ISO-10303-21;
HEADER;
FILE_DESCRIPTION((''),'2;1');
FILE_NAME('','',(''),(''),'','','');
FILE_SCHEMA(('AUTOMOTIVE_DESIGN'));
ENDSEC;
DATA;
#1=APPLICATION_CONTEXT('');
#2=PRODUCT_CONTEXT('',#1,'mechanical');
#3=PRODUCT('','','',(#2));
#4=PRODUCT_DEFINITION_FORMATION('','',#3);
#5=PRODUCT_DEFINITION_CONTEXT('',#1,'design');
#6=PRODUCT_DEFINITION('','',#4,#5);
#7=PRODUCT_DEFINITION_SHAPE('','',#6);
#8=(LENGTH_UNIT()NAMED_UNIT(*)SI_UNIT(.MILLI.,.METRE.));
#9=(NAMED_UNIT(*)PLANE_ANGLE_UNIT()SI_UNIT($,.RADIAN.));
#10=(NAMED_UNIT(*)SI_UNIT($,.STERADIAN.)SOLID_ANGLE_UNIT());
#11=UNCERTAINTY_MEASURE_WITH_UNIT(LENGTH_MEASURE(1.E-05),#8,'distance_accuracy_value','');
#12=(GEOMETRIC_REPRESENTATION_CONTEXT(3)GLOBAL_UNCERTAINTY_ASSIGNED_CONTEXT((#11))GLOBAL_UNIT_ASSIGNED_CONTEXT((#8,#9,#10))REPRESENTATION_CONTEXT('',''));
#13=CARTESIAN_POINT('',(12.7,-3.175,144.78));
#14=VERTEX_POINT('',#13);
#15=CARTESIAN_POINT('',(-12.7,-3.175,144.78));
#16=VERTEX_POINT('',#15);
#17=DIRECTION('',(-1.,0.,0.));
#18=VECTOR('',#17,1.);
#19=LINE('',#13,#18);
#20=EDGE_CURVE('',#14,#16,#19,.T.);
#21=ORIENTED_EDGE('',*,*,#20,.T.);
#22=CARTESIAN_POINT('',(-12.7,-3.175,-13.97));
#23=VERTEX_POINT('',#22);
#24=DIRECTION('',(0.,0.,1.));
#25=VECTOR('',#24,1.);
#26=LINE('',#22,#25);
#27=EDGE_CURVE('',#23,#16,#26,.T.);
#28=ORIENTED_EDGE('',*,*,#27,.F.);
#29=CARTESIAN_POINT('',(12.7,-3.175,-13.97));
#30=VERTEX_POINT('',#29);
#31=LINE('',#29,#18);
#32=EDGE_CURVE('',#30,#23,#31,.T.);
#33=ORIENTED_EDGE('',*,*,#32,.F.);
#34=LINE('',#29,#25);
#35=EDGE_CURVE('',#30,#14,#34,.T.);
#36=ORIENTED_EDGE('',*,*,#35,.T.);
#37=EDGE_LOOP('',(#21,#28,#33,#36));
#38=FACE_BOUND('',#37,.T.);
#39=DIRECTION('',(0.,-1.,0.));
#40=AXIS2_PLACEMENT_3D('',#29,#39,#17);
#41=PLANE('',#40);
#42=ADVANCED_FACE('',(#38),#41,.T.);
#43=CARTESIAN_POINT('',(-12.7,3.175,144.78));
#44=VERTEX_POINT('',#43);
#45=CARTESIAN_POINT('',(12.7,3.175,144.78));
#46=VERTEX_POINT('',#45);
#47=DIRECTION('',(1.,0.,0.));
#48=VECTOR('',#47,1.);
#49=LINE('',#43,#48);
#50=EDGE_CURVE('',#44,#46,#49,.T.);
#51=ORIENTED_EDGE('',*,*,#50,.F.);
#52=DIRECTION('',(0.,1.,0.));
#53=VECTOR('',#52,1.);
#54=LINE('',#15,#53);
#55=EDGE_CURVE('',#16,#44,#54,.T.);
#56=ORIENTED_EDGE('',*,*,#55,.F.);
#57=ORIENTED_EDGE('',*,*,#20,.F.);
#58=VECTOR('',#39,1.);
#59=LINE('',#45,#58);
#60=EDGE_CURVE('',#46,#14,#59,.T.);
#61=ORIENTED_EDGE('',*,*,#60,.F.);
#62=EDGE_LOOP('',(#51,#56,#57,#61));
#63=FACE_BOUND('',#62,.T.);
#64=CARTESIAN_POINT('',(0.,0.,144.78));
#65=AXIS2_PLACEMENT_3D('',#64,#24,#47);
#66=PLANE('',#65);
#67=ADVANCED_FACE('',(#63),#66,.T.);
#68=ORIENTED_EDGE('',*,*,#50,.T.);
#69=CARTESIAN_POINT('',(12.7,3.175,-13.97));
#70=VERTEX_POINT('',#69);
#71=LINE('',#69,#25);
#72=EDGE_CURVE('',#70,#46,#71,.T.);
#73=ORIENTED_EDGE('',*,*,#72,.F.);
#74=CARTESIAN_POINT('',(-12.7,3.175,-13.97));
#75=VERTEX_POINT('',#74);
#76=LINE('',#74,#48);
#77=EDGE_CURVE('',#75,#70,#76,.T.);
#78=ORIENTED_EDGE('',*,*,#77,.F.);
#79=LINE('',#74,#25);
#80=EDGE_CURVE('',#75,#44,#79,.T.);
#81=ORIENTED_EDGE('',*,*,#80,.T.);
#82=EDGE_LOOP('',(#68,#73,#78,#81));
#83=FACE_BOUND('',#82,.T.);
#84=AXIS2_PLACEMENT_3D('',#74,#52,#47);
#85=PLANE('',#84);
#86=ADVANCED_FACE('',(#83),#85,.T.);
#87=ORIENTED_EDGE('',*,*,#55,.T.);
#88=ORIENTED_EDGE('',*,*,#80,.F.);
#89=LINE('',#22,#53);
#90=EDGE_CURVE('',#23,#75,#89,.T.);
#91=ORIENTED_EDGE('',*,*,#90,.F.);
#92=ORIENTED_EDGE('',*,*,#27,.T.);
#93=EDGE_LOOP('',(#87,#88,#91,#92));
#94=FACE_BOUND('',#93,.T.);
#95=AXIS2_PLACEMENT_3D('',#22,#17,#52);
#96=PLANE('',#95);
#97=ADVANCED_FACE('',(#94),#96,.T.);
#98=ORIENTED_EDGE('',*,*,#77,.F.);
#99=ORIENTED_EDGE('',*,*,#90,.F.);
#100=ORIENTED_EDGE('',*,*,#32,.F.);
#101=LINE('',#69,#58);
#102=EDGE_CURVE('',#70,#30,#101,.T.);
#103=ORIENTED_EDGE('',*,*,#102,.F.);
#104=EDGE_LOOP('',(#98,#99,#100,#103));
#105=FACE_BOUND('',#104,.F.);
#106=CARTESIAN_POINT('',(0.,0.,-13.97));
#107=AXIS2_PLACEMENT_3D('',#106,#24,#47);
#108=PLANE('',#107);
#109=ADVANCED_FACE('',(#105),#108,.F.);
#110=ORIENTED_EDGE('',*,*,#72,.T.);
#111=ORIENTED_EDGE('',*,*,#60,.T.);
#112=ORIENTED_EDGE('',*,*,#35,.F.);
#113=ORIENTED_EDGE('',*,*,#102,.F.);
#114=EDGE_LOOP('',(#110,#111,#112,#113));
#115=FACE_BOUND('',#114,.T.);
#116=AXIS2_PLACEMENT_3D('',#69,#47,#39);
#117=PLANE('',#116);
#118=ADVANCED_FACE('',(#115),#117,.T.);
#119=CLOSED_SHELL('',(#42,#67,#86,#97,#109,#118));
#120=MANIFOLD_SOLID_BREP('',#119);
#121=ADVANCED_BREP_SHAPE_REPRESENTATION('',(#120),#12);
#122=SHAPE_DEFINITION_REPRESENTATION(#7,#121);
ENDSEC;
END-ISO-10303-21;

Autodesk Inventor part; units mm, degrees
ref_plane "Start plane" through (0, 0, -13.97) normal (0, 0, 1) x (1, 0, 0)
ref_plane "End plane" through (0, 0, 144.78) normal (0, 0, 1) x (1, 0, 0)
sketch "Sketch" plane through (0, 0, 0) normal (0, 0, 1) x (1, 0, 0)
  line L0 (12.7, -3.175) -> (-12.7, -3.175)
  line L1 (-12.7, -3.175) -> (-12.7, 3.175)
  line L2 (-12.7, 3.175) -> (12.7, 3.175)
  line L3 (12.7, 3.175) -> (12.7, -3.175)
  line L4 (-6, 0) -> (8, 0) construction
  line L5 (0, -30) -> (0, 40) construction
  line L6 (0, 54) -> (0, -44) construction
  line L7 (-17.78, 0) -> (17.78, 0) construction
  dimension "d0" = 6.35
  dimension "d1" = 25.4
  dimension "d4" = 12.7
  dimension "d5" = 3.175
extrude "Body" add sketch "Sketch" along normal up to surface (158.75 mm away) from surface at -13.97
sketch "Sketch3" plane through (0, 0, 0) normal (0, 0, 1) x (1, 0, 0)
  line L0 (0, 0) -> (10, 0)
ref_plane "Work Plane3" through (0, 0, 0) normal (0, -1, 0) x (1, 0, 0)
sketch "Sketch4" plane through (0, 0, 0) normal (0, -1, 0) x (1, 0, 0)
  line L0 (-2, -13.97) -> (12, -13.97)
  line L1 (-2, 144.78) -> (12, 144.78)
  dimension "d9" = 158.75
ref_plane "Work Plane4" through (0, -118.745, -13.97) normal (0, 0, -1) x (-1, 0, 0)
split "Split1" plane through (0, -118.745, -13.97) removes the side toward (0, 0, -1)
equation "\"d0\" = G_W"
equation "\"d1\" = G_H"
equation "\"d4\" = 0.5 * d1"
equation "\"d5\" = 0.5 * d0"
equation "\"d2\" = G_L"
equation "\"G_W\" = 6.35"
equation "\"G_H\" = 25.4"
equation "\"G_L\" = d9"
equation "\"G_OFFSET_START\" = 13.97"
equation "\"G_OFFSET_END\" = 0"
equation "\"d6\" = -G_OFFSET_START"
equation "\"d7\" = G_OFFSET_END + B_L"
equation "\"B_L\" = 144.78"
properties part number "AISC - 1/4x1 - 6.25" material "Steel, Mild"
